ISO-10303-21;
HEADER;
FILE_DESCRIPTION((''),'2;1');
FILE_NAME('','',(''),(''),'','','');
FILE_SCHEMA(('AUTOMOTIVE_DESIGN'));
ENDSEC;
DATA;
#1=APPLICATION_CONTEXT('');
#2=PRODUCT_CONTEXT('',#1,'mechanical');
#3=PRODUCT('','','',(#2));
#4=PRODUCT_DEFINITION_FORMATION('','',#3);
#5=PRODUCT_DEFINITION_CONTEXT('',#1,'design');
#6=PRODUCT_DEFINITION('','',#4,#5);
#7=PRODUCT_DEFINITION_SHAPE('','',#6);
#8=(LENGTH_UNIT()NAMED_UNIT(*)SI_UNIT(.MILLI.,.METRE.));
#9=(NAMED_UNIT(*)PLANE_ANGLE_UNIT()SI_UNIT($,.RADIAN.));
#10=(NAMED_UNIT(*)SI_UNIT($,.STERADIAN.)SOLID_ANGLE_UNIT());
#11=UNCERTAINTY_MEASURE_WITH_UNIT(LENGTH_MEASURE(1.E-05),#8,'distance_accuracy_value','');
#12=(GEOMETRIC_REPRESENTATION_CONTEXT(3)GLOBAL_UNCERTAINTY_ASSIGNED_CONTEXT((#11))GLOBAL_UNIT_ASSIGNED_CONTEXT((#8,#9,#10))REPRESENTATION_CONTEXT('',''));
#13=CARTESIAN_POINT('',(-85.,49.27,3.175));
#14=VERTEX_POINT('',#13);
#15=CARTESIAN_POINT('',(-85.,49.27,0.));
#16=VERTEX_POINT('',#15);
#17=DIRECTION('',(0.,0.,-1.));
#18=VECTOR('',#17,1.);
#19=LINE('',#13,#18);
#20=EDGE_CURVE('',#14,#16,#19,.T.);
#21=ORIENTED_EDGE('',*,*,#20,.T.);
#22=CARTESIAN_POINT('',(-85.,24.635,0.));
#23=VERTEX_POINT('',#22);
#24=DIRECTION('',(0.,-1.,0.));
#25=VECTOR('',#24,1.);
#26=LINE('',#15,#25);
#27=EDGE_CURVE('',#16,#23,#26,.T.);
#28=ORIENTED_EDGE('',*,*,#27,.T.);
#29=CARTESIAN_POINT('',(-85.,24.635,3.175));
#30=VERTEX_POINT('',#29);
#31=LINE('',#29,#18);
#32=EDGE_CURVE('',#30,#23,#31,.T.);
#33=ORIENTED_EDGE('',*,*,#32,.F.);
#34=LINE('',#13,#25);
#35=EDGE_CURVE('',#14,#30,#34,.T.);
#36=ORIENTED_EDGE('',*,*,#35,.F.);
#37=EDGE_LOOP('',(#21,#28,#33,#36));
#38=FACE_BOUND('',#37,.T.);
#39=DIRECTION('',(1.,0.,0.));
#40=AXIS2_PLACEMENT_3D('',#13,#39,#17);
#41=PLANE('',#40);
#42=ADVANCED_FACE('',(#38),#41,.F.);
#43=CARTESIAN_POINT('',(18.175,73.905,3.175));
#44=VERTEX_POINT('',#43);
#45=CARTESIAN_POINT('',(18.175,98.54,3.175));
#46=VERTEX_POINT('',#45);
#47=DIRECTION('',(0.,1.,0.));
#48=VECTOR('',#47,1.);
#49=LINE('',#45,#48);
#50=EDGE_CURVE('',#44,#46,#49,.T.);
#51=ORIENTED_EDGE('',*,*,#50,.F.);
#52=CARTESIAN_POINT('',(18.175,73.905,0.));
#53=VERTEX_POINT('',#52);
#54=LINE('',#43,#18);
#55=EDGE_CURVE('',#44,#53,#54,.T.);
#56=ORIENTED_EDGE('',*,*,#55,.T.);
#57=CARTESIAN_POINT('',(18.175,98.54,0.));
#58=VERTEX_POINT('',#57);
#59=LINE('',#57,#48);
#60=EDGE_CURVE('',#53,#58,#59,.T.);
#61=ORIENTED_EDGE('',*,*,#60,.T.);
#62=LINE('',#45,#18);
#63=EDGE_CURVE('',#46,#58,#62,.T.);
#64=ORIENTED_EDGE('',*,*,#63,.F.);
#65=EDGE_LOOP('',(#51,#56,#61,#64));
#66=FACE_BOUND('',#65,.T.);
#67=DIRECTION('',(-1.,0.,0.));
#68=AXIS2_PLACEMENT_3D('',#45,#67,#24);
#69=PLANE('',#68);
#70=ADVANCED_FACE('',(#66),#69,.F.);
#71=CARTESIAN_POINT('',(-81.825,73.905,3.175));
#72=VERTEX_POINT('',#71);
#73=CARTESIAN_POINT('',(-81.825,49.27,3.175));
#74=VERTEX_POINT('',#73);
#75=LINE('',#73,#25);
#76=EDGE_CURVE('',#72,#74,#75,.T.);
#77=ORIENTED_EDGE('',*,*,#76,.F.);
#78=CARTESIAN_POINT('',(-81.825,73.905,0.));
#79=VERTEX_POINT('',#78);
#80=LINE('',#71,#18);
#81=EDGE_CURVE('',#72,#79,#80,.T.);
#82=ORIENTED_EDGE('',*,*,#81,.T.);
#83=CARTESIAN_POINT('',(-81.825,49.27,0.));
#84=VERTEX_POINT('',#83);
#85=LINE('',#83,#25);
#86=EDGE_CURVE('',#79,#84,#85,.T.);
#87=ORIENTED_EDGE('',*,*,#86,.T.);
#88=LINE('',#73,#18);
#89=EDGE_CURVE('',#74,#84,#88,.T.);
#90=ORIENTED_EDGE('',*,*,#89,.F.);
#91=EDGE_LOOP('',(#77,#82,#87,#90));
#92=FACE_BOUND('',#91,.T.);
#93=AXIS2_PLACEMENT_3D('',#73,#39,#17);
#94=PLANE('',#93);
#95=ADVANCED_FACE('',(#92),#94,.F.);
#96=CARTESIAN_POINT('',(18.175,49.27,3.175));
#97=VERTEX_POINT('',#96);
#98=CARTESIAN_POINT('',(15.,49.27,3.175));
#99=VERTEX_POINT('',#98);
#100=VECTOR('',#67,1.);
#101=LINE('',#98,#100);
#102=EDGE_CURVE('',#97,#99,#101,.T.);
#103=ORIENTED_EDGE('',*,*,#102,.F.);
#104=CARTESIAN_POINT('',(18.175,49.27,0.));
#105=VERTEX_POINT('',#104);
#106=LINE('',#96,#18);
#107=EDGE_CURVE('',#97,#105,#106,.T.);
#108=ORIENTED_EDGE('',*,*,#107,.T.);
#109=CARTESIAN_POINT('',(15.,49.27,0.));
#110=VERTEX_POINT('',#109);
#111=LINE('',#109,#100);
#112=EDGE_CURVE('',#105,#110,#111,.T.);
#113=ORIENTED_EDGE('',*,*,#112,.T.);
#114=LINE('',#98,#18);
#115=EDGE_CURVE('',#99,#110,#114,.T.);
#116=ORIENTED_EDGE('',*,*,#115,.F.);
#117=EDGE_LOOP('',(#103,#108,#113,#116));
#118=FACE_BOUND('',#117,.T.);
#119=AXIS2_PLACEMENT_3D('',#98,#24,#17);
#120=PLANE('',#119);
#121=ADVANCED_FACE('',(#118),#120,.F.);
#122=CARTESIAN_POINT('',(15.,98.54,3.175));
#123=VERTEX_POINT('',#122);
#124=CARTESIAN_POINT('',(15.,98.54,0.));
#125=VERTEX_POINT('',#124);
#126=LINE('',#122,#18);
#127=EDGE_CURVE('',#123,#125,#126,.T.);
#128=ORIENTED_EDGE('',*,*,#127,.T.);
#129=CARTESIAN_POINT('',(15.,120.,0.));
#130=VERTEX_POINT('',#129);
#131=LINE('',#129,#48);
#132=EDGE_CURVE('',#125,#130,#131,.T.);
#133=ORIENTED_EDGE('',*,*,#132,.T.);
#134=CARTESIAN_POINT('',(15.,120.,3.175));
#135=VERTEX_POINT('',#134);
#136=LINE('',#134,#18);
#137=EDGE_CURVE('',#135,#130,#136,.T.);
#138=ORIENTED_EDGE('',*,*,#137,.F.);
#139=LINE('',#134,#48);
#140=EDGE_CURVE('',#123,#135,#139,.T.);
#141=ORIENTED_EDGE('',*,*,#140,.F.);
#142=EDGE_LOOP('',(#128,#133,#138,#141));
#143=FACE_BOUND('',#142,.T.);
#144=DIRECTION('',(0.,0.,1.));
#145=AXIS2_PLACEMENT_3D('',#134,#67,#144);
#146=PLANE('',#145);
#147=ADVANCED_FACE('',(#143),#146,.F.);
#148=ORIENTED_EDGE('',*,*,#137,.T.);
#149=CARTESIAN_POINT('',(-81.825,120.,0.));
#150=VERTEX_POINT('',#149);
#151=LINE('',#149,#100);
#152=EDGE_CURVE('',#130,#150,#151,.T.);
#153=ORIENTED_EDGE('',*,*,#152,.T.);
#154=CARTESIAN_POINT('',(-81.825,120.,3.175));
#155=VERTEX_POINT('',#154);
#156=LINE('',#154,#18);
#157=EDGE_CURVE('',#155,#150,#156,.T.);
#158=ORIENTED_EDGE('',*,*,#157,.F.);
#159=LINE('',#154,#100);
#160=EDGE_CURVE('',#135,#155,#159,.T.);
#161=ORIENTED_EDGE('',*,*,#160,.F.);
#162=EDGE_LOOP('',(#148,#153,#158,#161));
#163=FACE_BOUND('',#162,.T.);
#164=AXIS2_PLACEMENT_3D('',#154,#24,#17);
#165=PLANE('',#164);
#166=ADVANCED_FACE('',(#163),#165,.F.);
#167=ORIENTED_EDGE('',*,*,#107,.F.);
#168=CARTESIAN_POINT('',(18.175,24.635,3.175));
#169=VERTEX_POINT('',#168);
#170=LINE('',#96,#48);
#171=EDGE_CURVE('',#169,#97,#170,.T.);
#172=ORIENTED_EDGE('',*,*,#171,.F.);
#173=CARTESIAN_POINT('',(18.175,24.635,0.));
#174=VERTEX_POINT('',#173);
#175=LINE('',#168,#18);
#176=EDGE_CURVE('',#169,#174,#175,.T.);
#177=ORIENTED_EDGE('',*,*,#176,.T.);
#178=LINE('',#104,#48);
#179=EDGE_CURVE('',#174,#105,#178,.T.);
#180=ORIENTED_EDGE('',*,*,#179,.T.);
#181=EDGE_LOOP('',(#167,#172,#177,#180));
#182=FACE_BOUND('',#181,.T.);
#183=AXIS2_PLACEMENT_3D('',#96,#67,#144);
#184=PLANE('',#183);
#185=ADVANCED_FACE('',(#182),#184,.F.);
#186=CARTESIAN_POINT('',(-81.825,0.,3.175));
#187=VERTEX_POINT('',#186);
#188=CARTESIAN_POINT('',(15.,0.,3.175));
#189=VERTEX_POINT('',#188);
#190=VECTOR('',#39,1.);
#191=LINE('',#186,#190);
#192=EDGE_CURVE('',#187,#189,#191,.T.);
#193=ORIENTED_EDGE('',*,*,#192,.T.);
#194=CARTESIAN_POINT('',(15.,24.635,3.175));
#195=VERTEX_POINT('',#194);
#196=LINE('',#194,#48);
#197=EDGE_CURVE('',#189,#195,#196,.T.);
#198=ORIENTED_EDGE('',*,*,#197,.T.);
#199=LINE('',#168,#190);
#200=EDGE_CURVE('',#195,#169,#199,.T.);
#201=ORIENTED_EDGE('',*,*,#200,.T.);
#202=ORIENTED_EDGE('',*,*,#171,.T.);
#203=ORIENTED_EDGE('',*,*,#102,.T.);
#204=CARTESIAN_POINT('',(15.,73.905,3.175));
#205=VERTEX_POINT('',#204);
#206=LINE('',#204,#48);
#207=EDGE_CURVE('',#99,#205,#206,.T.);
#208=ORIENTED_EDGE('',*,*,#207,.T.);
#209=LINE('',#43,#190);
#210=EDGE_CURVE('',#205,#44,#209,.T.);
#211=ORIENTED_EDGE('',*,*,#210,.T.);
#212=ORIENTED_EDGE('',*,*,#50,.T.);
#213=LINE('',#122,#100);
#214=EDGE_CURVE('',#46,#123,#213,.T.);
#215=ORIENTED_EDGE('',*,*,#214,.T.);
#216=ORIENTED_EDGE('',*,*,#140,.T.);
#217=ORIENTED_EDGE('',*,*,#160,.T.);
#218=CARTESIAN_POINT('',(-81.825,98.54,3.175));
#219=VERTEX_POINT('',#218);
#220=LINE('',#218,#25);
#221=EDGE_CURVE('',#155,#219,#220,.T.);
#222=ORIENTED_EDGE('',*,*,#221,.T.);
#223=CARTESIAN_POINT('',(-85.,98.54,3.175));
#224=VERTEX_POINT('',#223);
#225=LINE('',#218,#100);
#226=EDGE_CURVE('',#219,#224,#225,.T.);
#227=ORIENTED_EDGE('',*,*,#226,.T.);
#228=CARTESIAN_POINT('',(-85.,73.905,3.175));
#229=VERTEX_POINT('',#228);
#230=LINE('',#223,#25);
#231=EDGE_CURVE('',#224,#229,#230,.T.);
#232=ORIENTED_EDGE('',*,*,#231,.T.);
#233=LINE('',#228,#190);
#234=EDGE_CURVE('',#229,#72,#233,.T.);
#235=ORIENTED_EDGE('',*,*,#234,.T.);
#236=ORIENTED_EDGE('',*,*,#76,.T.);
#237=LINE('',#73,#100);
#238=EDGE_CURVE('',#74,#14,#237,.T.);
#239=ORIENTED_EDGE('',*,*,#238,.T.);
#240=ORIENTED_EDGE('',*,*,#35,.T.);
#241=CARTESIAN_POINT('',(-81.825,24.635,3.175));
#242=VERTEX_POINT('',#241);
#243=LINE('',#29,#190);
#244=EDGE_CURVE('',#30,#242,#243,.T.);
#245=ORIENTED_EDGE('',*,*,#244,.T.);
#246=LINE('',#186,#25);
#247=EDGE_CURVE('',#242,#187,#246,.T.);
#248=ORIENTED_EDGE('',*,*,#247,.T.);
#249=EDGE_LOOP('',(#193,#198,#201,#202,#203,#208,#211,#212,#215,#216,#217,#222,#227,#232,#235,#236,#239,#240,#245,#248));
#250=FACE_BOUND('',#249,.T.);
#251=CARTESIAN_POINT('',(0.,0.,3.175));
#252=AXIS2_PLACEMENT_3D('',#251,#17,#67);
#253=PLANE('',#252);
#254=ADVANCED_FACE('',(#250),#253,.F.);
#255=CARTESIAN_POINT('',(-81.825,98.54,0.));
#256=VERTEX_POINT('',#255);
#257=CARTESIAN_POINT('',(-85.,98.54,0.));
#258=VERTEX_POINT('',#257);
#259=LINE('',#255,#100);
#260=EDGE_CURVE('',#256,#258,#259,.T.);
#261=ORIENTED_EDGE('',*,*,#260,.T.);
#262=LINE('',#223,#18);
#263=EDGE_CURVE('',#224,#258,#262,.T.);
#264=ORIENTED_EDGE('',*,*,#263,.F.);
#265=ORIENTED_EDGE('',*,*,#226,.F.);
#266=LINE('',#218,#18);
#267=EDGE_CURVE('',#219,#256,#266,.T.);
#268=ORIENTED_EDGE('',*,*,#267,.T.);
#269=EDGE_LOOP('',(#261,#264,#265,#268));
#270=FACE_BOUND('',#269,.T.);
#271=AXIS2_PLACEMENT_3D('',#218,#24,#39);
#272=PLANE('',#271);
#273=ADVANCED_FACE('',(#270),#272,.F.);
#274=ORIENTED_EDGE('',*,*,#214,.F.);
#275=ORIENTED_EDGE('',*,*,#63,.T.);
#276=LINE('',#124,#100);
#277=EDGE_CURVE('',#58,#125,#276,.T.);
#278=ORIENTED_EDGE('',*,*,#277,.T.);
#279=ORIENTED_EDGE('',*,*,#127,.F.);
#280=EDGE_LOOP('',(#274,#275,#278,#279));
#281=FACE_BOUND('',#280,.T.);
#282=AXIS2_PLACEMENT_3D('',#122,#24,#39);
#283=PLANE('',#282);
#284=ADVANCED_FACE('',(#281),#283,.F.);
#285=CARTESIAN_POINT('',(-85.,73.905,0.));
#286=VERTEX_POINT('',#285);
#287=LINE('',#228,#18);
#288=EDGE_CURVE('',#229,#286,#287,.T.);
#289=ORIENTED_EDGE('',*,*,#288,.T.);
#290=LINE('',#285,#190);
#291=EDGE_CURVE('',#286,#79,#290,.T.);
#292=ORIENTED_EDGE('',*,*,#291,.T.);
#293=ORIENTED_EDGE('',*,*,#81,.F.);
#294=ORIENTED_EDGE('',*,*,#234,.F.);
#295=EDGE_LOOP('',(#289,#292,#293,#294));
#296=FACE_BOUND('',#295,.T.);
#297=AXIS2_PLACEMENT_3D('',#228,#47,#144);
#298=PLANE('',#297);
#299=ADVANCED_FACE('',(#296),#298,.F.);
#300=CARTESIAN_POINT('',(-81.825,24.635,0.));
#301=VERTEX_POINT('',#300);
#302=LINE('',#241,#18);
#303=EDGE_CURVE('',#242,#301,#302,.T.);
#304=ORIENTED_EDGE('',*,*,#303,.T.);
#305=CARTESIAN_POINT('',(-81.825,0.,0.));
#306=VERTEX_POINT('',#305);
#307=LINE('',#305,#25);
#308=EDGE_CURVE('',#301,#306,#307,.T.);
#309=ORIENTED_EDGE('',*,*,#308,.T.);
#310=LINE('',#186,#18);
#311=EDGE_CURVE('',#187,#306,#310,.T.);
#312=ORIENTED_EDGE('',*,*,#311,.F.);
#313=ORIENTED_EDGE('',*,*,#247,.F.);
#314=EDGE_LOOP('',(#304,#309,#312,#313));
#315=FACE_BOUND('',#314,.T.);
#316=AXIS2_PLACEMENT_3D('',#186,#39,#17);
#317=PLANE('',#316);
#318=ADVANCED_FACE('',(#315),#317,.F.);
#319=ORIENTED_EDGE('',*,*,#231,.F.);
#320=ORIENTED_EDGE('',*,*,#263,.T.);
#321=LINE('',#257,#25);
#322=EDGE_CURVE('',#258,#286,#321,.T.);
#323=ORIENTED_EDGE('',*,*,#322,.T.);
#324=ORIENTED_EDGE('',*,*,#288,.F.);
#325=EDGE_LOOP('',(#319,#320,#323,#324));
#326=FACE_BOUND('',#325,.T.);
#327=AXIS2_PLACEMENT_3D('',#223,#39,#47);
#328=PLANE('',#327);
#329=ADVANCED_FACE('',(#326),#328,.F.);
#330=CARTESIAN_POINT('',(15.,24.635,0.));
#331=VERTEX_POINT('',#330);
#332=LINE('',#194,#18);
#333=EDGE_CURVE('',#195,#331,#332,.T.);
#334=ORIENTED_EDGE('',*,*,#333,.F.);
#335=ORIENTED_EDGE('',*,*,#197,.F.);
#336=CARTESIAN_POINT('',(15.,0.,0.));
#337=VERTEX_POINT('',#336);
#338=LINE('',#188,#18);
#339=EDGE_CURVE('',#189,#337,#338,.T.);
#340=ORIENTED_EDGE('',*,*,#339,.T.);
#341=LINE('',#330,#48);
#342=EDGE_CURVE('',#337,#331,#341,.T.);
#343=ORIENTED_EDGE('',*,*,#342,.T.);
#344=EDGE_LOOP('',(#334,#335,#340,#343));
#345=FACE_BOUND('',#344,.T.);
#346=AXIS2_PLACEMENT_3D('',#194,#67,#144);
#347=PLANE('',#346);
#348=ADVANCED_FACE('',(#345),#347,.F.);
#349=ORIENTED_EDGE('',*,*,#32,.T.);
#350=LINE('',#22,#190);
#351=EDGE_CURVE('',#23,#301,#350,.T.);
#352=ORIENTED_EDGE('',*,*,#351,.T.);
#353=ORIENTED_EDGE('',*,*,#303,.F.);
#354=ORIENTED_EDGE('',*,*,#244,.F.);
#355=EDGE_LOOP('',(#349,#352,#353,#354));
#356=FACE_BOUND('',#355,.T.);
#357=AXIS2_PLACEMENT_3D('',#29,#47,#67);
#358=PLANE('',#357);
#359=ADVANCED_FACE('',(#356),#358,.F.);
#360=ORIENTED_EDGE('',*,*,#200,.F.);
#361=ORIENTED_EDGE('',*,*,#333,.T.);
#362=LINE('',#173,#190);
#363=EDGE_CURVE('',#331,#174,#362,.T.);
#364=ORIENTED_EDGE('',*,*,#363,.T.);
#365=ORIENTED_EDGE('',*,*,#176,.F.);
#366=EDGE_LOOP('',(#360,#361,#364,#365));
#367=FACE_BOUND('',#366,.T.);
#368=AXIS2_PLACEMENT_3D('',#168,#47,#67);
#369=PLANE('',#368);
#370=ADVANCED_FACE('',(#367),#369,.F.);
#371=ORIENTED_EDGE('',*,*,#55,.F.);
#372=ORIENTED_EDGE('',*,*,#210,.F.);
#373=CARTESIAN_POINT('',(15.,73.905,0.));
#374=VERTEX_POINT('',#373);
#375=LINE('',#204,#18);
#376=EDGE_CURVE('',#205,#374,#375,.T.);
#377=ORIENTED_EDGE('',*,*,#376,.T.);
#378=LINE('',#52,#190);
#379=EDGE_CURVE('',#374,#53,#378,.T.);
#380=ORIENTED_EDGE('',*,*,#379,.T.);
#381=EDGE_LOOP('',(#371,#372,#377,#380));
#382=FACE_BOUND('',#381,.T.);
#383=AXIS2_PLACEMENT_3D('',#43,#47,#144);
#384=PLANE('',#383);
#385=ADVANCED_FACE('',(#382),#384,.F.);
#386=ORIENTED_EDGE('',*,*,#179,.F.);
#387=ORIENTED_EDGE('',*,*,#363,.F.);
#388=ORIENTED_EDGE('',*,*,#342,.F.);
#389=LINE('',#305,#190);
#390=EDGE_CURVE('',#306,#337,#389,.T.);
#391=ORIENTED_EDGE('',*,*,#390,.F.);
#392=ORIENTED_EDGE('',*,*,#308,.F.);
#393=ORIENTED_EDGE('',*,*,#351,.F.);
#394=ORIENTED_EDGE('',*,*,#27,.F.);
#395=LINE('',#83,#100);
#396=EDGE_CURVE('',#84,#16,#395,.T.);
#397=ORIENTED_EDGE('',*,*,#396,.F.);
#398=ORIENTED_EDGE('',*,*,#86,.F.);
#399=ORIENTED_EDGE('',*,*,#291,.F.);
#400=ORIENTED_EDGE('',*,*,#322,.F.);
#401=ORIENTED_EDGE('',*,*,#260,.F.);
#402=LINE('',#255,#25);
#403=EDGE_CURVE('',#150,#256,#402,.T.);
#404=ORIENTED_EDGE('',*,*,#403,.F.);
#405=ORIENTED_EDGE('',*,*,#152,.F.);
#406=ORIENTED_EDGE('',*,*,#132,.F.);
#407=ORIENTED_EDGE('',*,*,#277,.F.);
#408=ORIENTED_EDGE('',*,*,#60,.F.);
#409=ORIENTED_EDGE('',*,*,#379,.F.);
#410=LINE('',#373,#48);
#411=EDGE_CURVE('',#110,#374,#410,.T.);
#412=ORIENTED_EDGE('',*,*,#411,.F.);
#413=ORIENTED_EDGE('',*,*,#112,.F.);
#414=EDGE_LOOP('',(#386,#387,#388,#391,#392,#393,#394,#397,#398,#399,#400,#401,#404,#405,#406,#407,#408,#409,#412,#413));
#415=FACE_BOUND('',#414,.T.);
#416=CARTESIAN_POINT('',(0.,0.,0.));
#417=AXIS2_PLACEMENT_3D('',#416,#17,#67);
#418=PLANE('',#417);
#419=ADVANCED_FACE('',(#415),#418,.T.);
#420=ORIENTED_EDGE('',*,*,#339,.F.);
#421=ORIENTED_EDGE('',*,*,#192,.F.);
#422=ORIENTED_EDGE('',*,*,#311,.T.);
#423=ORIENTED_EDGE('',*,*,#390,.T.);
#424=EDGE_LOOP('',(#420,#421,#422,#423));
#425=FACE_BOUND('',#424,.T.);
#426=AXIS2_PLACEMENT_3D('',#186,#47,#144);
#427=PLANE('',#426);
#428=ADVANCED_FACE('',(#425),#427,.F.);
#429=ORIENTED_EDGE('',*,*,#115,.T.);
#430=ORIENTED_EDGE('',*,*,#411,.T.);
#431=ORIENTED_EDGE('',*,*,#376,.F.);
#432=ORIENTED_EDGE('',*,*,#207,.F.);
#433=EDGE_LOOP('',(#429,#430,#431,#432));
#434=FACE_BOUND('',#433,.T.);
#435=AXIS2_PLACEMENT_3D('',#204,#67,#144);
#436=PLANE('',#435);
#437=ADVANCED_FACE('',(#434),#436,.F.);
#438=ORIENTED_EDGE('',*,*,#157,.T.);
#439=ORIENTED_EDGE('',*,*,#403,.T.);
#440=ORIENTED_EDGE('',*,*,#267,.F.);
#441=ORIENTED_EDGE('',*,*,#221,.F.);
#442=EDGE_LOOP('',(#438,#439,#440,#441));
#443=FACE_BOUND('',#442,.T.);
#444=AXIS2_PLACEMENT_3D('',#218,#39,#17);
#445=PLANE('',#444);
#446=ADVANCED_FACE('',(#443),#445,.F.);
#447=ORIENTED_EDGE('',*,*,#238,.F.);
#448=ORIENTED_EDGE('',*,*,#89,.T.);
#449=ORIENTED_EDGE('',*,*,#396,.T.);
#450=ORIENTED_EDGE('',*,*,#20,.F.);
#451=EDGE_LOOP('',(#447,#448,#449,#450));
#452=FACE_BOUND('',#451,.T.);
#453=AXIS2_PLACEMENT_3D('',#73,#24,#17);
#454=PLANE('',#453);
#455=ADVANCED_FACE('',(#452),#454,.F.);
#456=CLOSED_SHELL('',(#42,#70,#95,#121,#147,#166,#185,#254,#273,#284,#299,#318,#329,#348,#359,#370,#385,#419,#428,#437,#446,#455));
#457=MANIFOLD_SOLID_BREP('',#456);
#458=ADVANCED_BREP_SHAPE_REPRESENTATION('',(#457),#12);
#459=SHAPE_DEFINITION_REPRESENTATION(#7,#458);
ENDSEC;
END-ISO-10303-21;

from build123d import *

# Parameters (mm, degrees)
BOSS_EXTRUDE1_DEPTH = 3.175


with BuildPart() as part:
    # Sketch1 → Boss-Extrude1 (new body)
    with BuildSketch(Plane.XY):
        Polygon((-81.825, 0), (15, 0), (15, 24.635), (18.175, 24.635), (18.175, 49.27), (15, 49.27), (15, 73.905), (18.175, 73.905), (18.175, 98.54), (15, 98.54), (15, 120), (-81.825, 120), (-81.825, 98.54), (-85, 98.54), (-85, 73.905), (-81.825, 73.905), (-81.825, 49.27), (-85, 49.27), (-85, 24.635), (-81.825, 24.635), align=None)
    extrude(amount=BOSS_EXTRUDE1_DEPTH)


solid = part.part
